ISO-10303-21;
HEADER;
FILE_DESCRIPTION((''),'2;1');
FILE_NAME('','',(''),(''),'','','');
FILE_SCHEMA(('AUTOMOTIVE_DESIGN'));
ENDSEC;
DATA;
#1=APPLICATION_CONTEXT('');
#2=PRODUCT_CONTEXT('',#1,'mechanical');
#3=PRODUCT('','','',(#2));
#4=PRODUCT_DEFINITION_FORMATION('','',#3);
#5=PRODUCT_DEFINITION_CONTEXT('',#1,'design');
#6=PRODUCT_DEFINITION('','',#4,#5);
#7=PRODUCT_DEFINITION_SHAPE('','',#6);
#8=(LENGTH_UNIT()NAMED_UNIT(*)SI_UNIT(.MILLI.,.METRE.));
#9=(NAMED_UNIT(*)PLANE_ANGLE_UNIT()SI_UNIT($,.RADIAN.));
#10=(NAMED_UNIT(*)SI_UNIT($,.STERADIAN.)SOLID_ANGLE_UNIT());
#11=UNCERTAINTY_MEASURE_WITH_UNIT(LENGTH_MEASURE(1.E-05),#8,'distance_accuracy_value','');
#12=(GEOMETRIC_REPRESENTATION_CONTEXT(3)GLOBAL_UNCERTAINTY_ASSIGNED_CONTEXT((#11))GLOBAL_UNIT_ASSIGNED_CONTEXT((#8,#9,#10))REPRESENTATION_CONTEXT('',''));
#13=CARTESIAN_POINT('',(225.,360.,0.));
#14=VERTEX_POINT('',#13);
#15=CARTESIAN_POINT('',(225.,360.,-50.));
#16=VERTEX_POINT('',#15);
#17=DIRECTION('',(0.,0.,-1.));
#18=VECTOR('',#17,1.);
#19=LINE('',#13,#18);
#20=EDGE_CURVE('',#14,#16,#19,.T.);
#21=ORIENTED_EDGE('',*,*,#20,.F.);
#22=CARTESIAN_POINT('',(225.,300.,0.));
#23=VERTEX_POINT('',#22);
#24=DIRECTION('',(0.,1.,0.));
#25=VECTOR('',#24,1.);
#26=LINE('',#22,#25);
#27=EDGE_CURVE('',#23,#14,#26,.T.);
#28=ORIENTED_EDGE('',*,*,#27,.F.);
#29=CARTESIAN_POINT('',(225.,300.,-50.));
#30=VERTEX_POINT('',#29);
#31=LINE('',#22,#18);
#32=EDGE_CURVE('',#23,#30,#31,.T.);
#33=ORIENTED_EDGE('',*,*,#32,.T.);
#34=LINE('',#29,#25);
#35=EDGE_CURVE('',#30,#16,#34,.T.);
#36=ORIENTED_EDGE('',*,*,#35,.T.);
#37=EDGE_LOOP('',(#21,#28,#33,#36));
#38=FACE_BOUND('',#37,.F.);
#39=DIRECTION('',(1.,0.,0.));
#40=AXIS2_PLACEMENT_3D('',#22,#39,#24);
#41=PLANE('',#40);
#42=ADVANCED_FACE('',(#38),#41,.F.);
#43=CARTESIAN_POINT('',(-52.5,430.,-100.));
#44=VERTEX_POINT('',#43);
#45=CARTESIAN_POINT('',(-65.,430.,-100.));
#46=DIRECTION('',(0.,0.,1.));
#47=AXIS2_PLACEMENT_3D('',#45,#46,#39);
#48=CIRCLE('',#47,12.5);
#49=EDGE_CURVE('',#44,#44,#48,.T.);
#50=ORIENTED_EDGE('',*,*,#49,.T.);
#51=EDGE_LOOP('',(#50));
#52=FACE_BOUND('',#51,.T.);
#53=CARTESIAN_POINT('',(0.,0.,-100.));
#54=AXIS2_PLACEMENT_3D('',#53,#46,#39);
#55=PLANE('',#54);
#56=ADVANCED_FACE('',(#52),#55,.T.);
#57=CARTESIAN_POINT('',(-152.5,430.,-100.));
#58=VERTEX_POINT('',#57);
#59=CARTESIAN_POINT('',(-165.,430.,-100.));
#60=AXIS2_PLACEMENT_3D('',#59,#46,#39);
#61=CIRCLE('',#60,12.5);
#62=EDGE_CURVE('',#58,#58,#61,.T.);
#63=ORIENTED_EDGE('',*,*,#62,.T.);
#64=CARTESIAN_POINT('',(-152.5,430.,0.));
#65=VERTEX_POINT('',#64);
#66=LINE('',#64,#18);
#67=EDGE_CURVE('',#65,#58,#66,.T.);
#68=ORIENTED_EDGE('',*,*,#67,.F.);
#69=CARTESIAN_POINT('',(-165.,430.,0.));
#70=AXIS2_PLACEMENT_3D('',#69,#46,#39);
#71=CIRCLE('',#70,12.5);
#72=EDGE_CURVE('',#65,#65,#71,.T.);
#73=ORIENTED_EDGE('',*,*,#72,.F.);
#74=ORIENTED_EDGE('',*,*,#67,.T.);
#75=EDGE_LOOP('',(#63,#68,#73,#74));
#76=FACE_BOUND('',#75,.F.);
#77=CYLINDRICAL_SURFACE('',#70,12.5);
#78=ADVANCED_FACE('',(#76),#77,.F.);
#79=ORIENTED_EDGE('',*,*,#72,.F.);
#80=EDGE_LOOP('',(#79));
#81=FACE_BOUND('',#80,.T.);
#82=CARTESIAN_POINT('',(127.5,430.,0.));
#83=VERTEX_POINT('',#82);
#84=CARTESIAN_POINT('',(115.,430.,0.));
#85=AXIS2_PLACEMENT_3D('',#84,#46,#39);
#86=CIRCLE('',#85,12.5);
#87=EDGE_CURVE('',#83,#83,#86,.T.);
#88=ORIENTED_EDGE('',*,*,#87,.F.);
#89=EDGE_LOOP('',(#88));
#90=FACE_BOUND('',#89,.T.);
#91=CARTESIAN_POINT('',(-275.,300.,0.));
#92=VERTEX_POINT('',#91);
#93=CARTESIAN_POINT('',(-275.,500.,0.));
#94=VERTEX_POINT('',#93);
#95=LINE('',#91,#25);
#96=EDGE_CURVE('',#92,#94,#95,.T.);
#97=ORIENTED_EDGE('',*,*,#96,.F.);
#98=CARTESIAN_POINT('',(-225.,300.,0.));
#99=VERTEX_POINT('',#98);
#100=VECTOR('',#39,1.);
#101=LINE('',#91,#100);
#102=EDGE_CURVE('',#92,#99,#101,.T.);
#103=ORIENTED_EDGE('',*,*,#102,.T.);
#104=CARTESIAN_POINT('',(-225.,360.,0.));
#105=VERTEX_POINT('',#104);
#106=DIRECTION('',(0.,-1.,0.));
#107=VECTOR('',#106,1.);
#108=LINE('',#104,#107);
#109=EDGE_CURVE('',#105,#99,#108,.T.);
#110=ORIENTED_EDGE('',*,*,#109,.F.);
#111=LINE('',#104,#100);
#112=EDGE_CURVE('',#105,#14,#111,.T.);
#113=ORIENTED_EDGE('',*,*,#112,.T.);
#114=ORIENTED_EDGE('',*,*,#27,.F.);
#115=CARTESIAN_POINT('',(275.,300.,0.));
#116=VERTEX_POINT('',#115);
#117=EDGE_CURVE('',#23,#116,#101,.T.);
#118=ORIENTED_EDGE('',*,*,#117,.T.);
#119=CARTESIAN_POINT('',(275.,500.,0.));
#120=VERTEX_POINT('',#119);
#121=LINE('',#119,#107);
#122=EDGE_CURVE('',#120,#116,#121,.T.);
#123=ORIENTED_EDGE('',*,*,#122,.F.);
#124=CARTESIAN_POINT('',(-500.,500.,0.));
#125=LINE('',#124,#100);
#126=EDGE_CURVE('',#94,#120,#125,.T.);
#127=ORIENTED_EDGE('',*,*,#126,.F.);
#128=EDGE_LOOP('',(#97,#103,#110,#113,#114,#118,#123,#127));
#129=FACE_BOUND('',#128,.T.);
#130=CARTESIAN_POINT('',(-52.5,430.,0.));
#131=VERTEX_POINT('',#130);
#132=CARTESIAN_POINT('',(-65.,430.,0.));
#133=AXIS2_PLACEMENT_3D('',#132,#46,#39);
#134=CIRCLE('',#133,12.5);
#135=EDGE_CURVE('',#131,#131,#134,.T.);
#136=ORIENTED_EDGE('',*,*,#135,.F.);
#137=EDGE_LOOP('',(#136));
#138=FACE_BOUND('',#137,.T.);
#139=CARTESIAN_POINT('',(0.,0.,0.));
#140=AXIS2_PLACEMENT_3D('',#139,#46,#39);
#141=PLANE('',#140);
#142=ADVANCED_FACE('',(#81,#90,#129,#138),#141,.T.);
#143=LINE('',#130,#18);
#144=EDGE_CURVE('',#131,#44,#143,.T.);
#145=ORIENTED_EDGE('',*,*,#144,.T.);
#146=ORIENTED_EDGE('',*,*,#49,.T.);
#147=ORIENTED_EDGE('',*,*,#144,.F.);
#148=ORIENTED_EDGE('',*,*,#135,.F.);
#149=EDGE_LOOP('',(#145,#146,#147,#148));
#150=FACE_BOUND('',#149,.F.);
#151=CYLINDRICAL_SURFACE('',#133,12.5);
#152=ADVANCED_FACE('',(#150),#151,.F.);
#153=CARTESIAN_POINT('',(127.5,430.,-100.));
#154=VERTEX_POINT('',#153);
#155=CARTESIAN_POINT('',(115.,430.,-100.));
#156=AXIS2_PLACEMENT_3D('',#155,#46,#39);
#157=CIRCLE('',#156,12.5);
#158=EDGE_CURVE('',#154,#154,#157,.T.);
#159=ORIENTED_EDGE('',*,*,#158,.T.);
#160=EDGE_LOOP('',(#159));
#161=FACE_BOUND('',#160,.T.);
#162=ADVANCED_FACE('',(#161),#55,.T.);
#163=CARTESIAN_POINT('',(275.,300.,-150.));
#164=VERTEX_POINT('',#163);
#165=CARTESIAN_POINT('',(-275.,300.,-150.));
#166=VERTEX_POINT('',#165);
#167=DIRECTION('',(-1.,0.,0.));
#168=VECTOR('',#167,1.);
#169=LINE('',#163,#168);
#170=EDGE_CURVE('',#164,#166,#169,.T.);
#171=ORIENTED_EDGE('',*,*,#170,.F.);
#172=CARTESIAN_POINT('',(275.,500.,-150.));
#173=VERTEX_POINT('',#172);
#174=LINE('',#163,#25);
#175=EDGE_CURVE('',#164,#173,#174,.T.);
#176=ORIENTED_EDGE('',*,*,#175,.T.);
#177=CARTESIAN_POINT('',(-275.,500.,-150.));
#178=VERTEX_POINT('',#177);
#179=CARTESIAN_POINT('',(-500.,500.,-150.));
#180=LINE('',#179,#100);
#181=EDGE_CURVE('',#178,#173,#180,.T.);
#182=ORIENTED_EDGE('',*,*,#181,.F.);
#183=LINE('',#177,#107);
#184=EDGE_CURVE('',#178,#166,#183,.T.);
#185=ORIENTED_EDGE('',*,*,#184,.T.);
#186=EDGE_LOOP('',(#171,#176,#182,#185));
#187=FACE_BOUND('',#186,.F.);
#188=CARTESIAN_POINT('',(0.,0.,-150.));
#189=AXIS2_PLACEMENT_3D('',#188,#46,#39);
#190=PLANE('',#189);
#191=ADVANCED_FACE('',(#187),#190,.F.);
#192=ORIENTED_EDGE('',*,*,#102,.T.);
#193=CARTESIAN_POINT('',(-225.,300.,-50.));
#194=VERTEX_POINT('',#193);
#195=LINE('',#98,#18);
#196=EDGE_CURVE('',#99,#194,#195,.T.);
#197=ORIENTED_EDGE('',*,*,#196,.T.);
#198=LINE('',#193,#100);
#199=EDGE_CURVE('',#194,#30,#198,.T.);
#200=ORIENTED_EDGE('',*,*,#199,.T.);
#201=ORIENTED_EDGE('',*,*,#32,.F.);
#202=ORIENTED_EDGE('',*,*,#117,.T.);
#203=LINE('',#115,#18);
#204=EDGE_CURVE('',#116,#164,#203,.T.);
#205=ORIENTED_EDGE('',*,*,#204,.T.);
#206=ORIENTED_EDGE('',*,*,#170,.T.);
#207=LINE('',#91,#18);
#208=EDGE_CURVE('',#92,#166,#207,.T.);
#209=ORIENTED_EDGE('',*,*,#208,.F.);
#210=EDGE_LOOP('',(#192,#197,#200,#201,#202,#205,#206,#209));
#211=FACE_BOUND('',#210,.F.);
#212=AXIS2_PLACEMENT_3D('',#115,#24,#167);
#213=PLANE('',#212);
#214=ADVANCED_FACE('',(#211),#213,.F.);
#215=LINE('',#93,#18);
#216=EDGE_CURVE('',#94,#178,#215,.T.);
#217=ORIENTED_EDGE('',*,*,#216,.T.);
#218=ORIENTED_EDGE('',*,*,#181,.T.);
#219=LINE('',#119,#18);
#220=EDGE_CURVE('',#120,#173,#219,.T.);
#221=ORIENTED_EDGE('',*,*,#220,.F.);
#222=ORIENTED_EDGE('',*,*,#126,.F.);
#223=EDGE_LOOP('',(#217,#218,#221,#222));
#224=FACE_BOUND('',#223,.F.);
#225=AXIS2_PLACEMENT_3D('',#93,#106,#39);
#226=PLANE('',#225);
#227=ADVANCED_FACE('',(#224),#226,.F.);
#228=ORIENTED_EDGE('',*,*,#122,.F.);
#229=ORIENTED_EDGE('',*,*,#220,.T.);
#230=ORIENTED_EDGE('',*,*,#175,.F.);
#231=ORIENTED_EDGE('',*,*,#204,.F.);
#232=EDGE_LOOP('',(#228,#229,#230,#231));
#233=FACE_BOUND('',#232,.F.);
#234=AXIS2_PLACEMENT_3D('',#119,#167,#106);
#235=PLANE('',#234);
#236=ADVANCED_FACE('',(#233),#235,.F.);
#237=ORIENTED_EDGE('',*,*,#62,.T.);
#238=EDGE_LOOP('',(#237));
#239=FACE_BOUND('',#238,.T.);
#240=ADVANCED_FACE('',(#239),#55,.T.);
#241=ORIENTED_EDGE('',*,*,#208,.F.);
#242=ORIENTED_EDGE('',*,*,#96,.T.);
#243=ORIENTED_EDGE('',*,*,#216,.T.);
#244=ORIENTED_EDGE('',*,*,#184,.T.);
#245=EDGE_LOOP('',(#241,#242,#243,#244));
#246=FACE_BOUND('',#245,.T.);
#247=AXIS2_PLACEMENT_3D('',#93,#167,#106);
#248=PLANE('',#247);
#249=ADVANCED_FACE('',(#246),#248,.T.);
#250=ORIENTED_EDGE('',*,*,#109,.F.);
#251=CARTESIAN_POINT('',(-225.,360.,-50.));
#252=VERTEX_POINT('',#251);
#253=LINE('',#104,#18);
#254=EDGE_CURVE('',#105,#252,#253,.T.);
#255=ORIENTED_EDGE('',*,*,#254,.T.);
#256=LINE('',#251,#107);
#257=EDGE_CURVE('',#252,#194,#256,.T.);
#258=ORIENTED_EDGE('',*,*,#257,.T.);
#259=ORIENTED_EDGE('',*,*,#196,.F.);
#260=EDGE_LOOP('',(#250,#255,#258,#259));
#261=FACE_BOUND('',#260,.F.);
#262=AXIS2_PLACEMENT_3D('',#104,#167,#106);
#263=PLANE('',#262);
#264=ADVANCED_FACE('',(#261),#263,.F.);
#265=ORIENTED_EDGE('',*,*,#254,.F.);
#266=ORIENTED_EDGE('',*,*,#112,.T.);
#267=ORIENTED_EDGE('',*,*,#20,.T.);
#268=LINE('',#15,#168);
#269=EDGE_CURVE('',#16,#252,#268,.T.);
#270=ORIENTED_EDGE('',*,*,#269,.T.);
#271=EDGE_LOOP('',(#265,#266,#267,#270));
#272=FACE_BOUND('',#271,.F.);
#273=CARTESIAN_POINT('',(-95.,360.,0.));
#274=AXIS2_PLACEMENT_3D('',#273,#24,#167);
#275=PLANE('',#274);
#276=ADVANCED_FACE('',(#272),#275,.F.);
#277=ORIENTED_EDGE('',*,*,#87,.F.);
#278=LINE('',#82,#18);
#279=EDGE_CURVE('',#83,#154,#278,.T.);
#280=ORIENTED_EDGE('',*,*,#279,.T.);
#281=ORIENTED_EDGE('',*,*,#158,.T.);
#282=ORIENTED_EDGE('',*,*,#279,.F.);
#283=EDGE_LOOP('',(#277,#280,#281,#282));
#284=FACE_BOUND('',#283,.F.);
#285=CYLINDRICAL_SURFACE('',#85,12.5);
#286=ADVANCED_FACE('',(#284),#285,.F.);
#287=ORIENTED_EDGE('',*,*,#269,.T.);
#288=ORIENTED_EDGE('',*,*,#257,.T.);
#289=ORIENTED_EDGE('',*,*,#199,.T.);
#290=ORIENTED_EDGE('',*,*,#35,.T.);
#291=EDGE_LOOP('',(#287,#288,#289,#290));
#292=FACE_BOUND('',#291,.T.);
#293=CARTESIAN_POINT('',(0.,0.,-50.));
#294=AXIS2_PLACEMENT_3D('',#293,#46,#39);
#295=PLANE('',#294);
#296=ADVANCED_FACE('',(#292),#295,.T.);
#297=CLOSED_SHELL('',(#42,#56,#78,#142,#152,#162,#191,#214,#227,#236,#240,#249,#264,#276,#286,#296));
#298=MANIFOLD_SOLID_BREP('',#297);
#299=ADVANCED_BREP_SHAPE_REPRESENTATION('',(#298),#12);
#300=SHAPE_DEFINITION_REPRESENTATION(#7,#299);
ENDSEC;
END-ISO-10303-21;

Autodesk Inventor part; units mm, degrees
ref_plane "YZ Plane" through (0, 0, 0) normal (1, 0, 0) x (0, 1, 0)
ref_plane "XZ Plane" through (0, 0, 0) normal (0, 1, 0) x (-1, 0, 0)
ref_plane "XY Plane" through (0, 0, 0) normal (0, 0, 1) x (1, 0, 0)
sketch "Skizze3" plane through (0, 0, 0) normal (0, 0, 1) x (1, 0, 0)
  line L0 (-500, 500) -> (500, 500)
  line L1 (500, 500) -> (500, -500)
  line L2 (500, -500) -> (-500, -500)
  line L3 (-500, -500) -> (-500, 500)
  line L4 (-500, 500) -> (-275, 500)
  line L5 (-275, 500) -> (-275, 440)
  line L6 (-275, 440) -> (-500, 440)
  line L7 (-500, 440) -> (-500, 500)
  line L8 (500, 500) -> (275, 500)
  line L9 (275, 500) -> (275, 440)
  line L10 (275, 440) -> (500, 440)
  line L11 (500, 440) -> (500, 500)
  line L12 (-275, 500) -> (275, 500)
  line L13 (275, 500) -> (275, 300)
  line L14 (275, 300) -> (-275, 300)
  line L15 (-275, 300) -> (-275, 500)
  line L16 (-225, 300) -> (225, 300)
  line L17 (225, 300) -> (225, 360)
  line L18 (225, 360) -> (-225, 360)
  line L19 (-225, 360) -> (-225, 300)
  line L20 (-500, -500) -> (500, -500)
  line L21 (500, -500) -> (500, -440)
  line L22 (500, -440) -> (-500, -440)
  line L23 (-500, -440) -> (-500, -500)
  line L24 (-440, 440) -> (-500, 440)
  line L25 (-500, 440) -> (-500, -440)
  line L26 (-500, -440) -> (-440, -440)
  line L27 (-440, -440) -> (-440, 440)
  line L28 (500, 440) -> (440, 440)
  line L29 (440, 440) -> (440, -440)
  line L30 (440, -440) -> (500, -440)
  line L31 (500, -440) -> (500, 440)
  arc A0 (-270, -10) -> (-225, 300) centre (-1315.2778, 300) ccw
  arc A1 (-500, -250) -> (-270, -10) centre (-617.8721, 93.1691) ccw
  arc A2 (225, 300) -> (280, 0) centre (1070.6818, 300) ccw
  arc A3 (280, 0) -> (500, -300) centre (931.7592, 247.2901) ccw
  arc A4 (-150, -240) -> (-95, 360) centre (-1146.8979, 153.9031) ccw
  arc A5 (-150, -240) -> (-225, -500) centre (1170.154, -761.631) ccw
  arc A6 (-5, 360) -> (105, -150) centre (4524.0164, 1069.9839) ccw
  arc A7 (125, -500) -> (105, -150) centre (-696.9412, -371.3966) ccw
  circle A8 centre (-165, 430) radius 12.5
  circle A9 centre (-65, 430) radius 12.5
  circle A10 centre (115, 430) radius 12.5
  point P0 (0, 0)
  point P1 (-500.0625, 0)
  point P2 (0, 500.0625)
  point P3 (-500, 0)
  point P4 (0, 500)
  point P5 (0, 360)
  dimension "d5" = 1000
  dimension "d8" = 1000
  dimension "d9" = 60
  dimension "d10" = 225
  dimension "d11" = 225
  dimension "d12" = 550
  dimension "d13" = 200
  dimension "d14" = 450
  dimension "d15" = 60
  dimension "d16" = 60
  dimension "d17" = 880
  dimension "d18" = 60
  dimension "d19" = 60
  dimension "d20" = 250
  dimension "d21" = 230
  dimension "d22" = 240
  dimension "d23" = 200
  dimension "d24" = 300
  dimension "d25" = 220
  dimension "d26" = 130
  dimension "d27" = 150
  dimension "d28" = 275
  dimension "d29" = 75
  dimension "d30" = 260
  dimension "d31" = 90
  dimension "d32" = 230
  dimension "d33" = 375
  dimension "d34" = 350
  dimension "d35" = 365
  dimension "d36" = 350
  dimension "d37" = 20
  dimension "d38" = 25
  dimension "d39" = 70
  dimension "d40" = 60
  dimension "d41" = 110
  dimension "d42" = 30
extrude "Extrusion2" add sketch "Skizze3" against normal blind 150 contours L0 L9 L13 L14 L17 L18 L19 L15 L5 | L19 L18 A4 L14 | L14 A6 L18 L17 | A4 L18 A6 L14 | A8 | A9 | A10
extrude "Extrusion3" cut sketch "Skizze3" against normal blind 50 contours L19 L18 A4 L14 | L14 A6 L18 L17 | A4 L18 A6 L14
extrude "Extrusion4" cut sketch "Skizze3" against normal blind 100 contours A8 | A9 | A10
equation "\"d16\" = d9"
equation "\"d18\" = d9"
equation "\"d19\" = d9"
properties part number "UA-70 Sockel"
